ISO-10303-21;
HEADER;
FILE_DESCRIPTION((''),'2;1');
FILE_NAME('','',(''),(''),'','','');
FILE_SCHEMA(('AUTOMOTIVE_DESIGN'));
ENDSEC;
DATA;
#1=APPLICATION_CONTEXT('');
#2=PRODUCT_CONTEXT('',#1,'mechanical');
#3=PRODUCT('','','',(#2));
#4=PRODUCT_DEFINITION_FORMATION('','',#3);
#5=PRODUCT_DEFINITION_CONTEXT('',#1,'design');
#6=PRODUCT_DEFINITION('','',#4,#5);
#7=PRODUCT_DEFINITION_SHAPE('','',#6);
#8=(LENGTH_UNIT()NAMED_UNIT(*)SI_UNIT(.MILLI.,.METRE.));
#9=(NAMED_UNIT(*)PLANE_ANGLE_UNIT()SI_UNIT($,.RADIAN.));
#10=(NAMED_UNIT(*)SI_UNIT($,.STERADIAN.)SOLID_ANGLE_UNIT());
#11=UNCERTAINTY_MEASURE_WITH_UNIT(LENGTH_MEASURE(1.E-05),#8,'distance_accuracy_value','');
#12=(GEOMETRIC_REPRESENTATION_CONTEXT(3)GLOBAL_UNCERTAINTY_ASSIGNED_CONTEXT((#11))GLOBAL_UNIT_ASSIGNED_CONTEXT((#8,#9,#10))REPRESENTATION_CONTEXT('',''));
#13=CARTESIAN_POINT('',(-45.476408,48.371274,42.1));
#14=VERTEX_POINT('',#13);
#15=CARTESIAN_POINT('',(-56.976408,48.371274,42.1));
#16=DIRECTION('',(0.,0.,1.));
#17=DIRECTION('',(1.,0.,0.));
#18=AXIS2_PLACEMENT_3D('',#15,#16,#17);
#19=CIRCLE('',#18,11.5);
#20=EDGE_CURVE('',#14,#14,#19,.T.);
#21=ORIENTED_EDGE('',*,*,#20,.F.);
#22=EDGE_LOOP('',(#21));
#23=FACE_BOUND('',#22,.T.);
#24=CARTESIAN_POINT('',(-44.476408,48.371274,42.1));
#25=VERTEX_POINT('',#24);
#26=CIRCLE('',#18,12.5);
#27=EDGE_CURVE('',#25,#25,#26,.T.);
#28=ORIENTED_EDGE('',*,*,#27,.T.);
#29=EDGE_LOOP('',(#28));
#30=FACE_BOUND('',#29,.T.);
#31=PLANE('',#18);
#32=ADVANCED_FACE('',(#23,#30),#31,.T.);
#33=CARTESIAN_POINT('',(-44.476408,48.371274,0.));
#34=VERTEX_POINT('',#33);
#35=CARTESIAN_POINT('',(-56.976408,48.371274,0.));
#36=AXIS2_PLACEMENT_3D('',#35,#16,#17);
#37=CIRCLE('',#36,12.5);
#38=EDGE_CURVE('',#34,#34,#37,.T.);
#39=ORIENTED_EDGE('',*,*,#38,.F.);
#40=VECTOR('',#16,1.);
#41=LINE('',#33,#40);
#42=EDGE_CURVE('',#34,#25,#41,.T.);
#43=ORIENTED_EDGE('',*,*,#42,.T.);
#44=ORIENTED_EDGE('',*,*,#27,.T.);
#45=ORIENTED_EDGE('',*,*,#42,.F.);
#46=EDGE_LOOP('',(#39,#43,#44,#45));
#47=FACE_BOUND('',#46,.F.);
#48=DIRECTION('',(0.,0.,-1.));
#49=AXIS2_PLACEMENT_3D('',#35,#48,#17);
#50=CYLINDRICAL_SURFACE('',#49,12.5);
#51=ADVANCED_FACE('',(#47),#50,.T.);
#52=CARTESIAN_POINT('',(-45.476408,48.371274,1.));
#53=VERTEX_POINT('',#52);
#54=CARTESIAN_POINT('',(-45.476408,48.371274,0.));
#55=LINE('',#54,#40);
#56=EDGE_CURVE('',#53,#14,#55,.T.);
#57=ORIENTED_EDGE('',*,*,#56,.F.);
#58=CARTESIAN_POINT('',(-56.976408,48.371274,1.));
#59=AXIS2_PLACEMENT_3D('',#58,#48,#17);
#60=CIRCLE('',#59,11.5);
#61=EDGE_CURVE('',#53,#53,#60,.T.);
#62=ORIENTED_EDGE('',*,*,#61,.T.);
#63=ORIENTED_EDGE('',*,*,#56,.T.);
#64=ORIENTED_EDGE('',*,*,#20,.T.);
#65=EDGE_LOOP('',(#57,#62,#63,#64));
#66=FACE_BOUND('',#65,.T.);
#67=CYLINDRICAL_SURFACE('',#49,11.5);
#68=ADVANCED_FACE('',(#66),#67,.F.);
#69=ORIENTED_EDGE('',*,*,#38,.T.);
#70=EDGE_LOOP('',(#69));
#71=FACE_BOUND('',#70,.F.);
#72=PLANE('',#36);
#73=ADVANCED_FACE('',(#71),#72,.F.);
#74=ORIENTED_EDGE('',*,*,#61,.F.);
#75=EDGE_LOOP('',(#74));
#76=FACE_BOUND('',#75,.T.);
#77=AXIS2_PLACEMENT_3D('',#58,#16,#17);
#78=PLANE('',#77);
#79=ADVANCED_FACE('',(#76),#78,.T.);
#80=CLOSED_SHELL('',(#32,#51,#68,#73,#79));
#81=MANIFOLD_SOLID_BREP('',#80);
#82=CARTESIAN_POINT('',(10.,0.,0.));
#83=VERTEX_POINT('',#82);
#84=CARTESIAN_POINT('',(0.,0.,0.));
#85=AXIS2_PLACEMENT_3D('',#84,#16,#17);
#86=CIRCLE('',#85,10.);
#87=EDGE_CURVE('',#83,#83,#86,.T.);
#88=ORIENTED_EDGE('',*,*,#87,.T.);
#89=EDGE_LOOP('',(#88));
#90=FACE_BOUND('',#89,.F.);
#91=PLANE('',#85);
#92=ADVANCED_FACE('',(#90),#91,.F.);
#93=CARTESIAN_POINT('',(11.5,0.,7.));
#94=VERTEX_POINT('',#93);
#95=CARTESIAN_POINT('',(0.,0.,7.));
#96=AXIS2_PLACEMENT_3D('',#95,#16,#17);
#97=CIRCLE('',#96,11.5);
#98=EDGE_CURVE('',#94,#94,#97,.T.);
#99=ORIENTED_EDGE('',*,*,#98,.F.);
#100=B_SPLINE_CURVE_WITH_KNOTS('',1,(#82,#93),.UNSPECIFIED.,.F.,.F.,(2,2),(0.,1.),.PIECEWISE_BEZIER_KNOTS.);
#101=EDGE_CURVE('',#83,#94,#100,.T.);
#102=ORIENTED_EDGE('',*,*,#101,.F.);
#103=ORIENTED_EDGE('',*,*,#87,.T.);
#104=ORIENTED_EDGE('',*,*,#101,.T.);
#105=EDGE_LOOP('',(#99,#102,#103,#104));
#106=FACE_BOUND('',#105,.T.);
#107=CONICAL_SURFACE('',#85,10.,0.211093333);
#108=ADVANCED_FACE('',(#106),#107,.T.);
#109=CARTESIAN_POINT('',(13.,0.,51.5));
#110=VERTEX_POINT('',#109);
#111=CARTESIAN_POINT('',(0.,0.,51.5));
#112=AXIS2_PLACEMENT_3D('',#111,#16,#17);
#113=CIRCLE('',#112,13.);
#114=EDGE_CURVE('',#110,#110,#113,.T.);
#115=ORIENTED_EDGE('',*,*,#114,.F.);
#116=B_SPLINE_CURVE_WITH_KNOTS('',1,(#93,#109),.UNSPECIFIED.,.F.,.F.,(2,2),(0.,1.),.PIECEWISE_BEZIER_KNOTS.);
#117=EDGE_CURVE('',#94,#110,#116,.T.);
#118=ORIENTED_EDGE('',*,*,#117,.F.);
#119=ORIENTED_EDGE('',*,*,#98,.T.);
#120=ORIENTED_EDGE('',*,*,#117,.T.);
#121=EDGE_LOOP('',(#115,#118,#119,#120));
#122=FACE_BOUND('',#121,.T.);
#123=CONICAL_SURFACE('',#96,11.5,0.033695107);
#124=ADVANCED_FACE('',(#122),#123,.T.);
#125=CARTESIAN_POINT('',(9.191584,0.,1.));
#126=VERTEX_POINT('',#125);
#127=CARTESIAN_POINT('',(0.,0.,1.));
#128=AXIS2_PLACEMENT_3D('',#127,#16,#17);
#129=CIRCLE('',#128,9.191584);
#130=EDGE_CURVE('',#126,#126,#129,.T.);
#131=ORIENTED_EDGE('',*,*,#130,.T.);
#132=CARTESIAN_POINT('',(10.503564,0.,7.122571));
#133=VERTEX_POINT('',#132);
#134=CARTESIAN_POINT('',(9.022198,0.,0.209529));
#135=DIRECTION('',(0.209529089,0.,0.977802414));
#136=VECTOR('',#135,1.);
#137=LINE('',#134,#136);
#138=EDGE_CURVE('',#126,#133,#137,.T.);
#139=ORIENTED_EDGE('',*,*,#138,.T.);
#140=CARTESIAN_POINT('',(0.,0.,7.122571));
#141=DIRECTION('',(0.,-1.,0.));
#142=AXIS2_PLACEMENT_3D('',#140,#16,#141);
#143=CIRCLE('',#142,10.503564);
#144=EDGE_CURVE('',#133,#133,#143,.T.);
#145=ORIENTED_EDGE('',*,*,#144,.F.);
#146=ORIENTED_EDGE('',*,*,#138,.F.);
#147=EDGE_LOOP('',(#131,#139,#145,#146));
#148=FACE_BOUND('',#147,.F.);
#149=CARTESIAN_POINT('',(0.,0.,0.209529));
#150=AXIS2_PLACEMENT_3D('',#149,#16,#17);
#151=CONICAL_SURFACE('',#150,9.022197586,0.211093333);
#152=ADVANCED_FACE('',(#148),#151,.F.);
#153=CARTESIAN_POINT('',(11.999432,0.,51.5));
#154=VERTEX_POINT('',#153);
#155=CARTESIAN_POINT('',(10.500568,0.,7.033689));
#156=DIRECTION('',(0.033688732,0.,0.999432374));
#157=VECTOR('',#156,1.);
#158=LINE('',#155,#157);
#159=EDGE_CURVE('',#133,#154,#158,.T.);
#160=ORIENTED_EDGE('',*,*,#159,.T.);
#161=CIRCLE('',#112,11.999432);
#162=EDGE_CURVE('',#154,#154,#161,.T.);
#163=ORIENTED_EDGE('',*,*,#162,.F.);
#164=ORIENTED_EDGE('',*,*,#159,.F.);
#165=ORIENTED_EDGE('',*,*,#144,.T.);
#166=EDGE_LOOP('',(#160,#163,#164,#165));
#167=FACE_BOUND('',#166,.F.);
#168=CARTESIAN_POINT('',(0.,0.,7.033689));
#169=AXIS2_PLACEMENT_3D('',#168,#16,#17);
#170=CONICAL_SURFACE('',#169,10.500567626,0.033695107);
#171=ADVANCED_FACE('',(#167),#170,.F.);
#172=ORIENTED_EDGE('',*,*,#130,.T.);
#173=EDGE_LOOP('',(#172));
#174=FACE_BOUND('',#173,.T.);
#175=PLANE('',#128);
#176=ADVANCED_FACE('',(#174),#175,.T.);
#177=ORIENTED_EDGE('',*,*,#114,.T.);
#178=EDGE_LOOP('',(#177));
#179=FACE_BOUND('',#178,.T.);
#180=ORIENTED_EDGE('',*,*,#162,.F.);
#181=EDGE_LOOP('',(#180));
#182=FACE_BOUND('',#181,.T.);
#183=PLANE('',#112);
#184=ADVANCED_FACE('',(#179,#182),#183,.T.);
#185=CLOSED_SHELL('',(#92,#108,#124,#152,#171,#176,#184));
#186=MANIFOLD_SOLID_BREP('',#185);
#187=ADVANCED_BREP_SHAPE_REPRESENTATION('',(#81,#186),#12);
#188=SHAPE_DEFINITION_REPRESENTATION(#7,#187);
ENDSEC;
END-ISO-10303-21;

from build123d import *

# Parameters (mm, degrees)
F0_R      = 10
F2_R      = 11.5
F4_R      = 11.5
F6_R      = 13
F8_T      = -1
F9_R      = 12.5
F10_DEPTH = 42.1
F11_T     = -1


with BuildPart() as f3:
    # F0 (on Top) → F3 section 0
    with BuildSketch(Plane.XY):
        Circle(F0_R)
    # F2 (on offset) → F3 section 1
    with BuildSketch(Plane.XY.offset(7)):
        Circle(F2_R)
    loft()

    # F4 (on face) → F7 section 0
    with BuildSketch(Plane.XY.offset(7)):
        Circle(F4_R)
    # F6 (on offset) → F7 section 1
    with BuildSketch(Plane.XY.offset(51.5)):
        Circle(F6_R)
    loft()

    # F8
    f8_openings = [f3.faces().sort_by_distance(p)[0] for p in [
        (0, 0, 51.5),
    ]]
    offset(amount=F8_T, openings=f8_openings, kind=Kind.INTERSECTION)


with BuildPart() as f10:
    # F9 (on Top) → F10 (new body)
    with BuildSketch(Plane.XY):
        with Locations((-56.9764077663, 48.3712740242)):
            Circle(F9_R)
    extrude(amount=F10_DEPTH)

    # F11
    f11_openings = [f10.faces().sort_by_distance(p)[0] for p in [
        (-56.976408, 48.371274, 42.1),
    ]]
    offset(amount=F11_T, openings=f11_openings)


solid = Compound([f3.part, f10.part])
